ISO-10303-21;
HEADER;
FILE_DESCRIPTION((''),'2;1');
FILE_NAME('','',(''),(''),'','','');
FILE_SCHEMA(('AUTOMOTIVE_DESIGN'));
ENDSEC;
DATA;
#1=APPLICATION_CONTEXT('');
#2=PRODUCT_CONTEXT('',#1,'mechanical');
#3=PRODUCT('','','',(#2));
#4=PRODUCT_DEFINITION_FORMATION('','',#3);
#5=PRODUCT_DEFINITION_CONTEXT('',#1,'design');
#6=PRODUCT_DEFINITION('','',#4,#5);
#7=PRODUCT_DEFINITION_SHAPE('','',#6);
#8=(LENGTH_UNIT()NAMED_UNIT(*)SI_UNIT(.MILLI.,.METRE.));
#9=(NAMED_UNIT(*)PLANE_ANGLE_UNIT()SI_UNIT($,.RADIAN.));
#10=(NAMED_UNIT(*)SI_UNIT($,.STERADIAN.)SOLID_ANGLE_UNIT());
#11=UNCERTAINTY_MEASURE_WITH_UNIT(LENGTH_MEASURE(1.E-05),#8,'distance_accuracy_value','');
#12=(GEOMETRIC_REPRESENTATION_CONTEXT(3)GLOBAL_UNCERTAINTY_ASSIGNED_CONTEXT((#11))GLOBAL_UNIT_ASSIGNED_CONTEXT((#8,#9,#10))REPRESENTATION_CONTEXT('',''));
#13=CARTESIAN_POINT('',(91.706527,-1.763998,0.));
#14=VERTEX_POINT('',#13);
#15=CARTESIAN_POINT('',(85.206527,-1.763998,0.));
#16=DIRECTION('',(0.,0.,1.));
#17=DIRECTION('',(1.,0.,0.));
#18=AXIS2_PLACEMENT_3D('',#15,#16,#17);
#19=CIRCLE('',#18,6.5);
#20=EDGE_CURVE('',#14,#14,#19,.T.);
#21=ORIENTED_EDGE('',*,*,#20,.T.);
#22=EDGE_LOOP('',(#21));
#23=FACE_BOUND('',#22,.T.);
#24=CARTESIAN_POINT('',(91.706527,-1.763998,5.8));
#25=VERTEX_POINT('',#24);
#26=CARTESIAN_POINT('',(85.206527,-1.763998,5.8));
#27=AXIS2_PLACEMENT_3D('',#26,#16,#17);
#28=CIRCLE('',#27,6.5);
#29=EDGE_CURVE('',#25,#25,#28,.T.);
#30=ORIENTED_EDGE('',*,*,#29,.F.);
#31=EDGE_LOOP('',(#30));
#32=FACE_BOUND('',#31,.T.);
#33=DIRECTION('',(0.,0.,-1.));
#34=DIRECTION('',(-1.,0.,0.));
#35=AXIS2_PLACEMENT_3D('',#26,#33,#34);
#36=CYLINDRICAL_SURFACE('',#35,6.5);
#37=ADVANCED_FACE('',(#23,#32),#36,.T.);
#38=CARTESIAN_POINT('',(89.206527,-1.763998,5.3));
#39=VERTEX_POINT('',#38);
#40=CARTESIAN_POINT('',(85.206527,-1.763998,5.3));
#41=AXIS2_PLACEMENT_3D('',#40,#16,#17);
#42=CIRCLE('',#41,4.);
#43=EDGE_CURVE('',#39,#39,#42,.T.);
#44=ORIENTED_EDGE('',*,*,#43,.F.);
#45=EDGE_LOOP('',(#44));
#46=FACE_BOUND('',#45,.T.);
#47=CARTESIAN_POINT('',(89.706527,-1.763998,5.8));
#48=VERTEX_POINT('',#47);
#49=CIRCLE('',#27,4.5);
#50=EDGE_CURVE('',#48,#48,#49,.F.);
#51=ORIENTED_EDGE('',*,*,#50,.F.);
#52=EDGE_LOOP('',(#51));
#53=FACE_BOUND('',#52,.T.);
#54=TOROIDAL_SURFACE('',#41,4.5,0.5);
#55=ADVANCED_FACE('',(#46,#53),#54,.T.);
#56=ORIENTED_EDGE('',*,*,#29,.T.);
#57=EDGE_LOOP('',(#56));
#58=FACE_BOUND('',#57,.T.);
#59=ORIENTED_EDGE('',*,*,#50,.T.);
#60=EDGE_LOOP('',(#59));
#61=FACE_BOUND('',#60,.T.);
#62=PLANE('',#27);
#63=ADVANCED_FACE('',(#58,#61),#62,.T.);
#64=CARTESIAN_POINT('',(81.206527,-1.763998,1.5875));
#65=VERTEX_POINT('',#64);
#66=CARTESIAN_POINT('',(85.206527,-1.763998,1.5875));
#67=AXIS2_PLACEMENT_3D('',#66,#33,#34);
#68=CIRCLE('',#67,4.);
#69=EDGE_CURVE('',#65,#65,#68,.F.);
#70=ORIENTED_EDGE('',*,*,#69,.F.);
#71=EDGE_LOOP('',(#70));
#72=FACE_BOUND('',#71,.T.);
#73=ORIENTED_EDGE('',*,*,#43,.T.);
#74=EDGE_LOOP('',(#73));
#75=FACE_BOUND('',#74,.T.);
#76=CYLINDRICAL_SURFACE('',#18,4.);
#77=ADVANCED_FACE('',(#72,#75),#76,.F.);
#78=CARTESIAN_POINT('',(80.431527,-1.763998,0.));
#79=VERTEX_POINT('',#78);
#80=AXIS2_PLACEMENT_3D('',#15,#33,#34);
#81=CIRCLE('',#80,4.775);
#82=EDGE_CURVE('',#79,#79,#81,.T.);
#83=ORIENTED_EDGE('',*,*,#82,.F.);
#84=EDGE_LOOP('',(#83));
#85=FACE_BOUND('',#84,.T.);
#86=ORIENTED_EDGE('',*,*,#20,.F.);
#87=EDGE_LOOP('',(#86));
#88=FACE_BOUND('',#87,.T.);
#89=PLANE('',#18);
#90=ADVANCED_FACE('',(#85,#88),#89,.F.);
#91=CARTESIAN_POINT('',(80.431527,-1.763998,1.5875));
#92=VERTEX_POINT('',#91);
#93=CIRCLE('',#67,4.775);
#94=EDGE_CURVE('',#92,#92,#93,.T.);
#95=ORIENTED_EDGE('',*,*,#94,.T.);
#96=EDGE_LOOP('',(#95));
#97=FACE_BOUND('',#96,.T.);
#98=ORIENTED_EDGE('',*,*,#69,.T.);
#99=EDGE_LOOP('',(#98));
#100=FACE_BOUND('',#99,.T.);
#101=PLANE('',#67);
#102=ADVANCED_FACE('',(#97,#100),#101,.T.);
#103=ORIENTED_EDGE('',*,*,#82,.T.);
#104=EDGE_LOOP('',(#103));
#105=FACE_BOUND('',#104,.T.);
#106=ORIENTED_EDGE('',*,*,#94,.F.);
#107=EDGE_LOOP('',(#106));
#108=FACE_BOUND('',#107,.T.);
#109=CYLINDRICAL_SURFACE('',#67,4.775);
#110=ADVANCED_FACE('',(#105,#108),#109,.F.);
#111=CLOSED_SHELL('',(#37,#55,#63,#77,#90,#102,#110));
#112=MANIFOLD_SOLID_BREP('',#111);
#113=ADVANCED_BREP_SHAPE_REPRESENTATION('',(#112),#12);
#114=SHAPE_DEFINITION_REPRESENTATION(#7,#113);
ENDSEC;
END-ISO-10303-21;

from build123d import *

# Parameters (mm, degrees)
SKETCH1_R           = 6.5
BOSS_EXTRUDE1_DEPTH = 5.8
SKETCH2_R           = 4
CUT_EXTRUDE1_DEPTH  = 93.260613645
FILLET1_R           = 0.5
SKETCH3_R           = 4.775
CUT_EXTRUDE2_DEPTH  = 1.5875


with BuildPart() as part:
    # Sketch1 → Boss-Extrude1 (new body)
    with BuildSketch(Plane.XY):
        with Locations((85.206527413, -1.763997815)):
            Circle(SKETCH1_R)
    extrude(amount=BOSS_EXTRUDE1_DEPTH)

    # Sketch2 → Cut-Extrude1 (cut, through all)
    with BuildSketch(Plane.XY.offset(5.8)):
        with Locations((85.206527413, -1.763997815)):
            Circle(SKETCH2_R)
    extrude(amount=-CUT_EXTRUDE1_DEPTH, mode=Mode.SUBTRACT)

    # Fillet1
    fillet1_edges = [part.edges().sort_by_distance(p)[0] for p in [
        (81.206527413, -1.763997815, 5.8),
    ]]
    fillet(fillet1_edges, radius=FILLET1_R)

    # Sketch3 → Cut-Extrude2 (cut)
    with BuildSketch(Plane(origin=(0, 0, 0), x_dir=(-1, 0, 0), z_dir=(0, 0, -1))):
        with Locations((-85.206527413, -1.763997815)):
            Circle(SKETCH3_R)
    extrude(amount=-CUT_EXTRUDE2_DEPTH, mode=Mode.SUBTRACT)


solid = part.part
